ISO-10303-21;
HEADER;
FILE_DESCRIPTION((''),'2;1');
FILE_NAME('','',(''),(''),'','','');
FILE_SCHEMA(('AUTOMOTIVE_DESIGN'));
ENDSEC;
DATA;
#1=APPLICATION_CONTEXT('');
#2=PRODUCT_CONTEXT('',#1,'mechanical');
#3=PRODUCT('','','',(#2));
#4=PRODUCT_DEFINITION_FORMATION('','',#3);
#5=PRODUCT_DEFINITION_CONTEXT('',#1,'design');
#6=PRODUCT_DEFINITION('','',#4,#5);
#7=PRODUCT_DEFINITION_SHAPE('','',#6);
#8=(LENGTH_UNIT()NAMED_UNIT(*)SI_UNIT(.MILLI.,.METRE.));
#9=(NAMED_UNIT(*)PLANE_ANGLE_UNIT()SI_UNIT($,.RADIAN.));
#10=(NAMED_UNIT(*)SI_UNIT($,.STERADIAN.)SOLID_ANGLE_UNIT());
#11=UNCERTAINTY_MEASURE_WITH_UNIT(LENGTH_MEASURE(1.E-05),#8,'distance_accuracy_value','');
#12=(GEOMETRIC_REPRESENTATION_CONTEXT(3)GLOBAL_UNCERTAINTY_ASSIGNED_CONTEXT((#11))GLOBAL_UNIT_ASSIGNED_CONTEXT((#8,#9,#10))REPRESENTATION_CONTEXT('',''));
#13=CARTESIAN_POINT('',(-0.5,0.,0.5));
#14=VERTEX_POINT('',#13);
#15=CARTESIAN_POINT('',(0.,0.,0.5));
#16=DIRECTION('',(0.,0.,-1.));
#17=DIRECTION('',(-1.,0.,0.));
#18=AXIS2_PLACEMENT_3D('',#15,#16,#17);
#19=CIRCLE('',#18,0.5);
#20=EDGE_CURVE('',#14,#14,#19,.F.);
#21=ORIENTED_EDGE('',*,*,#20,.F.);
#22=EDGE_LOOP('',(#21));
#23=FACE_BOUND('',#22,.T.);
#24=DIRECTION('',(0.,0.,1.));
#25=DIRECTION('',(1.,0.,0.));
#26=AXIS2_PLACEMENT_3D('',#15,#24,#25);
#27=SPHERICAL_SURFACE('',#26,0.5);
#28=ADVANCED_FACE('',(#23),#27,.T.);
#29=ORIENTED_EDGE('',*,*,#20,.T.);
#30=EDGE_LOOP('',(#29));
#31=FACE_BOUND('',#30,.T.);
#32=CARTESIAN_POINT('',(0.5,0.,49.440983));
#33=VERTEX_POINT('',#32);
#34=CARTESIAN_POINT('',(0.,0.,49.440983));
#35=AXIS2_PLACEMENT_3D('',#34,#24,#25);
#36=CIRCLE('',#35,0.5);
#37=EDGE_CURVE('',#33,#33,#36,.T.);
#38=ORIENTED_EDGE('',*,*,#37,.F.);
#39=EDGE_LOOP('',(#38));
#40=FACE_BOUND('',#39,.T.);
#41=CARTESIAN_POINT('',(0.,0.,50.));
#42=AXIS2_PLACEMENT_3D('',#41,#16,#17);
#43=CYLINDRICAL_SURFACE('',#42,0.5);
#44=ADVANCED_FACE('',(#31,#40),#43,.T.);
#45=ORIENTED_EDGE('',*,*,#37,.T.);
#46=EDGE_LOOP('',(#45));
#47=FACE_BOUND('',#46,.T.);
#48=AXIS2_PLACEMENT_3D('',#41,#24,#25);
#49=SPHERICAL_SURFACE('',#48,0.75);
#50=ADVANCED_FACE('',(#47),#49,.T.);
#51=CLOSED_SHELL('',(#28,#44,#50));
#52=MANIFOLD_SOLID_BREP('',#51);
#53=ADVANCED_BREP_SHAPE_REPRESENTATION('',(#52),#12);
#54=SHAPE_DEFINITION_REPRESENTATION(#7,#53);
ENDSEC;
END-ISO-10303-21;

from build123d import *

# Parameters (mm, degrees)
SKETCH1_R           = 0.5
BOSS_EXTRUDE1_DEPTH = 50
FILLET2_R           = 0.5


with BuildPart() as part:
    # Sketch1 → Boss-Extrude1 (new body)
    with BuildSketch(Plane.XY):
        Circle(SKETCH1_R)
    extrude(amount=BOSS_EXTRUDE1_DEPTH)

    # Sketch3 → Revolve1 (revolve)
    with BuildSketch(Plane.XY.offset(50)):
        with BuildLine():
            Line((-0.75, 0), (0.75, 0))
            ThreePointArc((0.75, 0), (0, 0.75), (-0.75, 0))
        make_face()
    revolve(axis=Axis((-0.75, 0, 50), (1, 0, 0)))

    # Fillet2
    fillet2_edges = [part.edges().sort_by_distance(p)[0] for p in [
        (-0.5, 0, 0),
    ]]
    fillet(fillet2_edges, radius=FILLET2_R)


solid = part.part
